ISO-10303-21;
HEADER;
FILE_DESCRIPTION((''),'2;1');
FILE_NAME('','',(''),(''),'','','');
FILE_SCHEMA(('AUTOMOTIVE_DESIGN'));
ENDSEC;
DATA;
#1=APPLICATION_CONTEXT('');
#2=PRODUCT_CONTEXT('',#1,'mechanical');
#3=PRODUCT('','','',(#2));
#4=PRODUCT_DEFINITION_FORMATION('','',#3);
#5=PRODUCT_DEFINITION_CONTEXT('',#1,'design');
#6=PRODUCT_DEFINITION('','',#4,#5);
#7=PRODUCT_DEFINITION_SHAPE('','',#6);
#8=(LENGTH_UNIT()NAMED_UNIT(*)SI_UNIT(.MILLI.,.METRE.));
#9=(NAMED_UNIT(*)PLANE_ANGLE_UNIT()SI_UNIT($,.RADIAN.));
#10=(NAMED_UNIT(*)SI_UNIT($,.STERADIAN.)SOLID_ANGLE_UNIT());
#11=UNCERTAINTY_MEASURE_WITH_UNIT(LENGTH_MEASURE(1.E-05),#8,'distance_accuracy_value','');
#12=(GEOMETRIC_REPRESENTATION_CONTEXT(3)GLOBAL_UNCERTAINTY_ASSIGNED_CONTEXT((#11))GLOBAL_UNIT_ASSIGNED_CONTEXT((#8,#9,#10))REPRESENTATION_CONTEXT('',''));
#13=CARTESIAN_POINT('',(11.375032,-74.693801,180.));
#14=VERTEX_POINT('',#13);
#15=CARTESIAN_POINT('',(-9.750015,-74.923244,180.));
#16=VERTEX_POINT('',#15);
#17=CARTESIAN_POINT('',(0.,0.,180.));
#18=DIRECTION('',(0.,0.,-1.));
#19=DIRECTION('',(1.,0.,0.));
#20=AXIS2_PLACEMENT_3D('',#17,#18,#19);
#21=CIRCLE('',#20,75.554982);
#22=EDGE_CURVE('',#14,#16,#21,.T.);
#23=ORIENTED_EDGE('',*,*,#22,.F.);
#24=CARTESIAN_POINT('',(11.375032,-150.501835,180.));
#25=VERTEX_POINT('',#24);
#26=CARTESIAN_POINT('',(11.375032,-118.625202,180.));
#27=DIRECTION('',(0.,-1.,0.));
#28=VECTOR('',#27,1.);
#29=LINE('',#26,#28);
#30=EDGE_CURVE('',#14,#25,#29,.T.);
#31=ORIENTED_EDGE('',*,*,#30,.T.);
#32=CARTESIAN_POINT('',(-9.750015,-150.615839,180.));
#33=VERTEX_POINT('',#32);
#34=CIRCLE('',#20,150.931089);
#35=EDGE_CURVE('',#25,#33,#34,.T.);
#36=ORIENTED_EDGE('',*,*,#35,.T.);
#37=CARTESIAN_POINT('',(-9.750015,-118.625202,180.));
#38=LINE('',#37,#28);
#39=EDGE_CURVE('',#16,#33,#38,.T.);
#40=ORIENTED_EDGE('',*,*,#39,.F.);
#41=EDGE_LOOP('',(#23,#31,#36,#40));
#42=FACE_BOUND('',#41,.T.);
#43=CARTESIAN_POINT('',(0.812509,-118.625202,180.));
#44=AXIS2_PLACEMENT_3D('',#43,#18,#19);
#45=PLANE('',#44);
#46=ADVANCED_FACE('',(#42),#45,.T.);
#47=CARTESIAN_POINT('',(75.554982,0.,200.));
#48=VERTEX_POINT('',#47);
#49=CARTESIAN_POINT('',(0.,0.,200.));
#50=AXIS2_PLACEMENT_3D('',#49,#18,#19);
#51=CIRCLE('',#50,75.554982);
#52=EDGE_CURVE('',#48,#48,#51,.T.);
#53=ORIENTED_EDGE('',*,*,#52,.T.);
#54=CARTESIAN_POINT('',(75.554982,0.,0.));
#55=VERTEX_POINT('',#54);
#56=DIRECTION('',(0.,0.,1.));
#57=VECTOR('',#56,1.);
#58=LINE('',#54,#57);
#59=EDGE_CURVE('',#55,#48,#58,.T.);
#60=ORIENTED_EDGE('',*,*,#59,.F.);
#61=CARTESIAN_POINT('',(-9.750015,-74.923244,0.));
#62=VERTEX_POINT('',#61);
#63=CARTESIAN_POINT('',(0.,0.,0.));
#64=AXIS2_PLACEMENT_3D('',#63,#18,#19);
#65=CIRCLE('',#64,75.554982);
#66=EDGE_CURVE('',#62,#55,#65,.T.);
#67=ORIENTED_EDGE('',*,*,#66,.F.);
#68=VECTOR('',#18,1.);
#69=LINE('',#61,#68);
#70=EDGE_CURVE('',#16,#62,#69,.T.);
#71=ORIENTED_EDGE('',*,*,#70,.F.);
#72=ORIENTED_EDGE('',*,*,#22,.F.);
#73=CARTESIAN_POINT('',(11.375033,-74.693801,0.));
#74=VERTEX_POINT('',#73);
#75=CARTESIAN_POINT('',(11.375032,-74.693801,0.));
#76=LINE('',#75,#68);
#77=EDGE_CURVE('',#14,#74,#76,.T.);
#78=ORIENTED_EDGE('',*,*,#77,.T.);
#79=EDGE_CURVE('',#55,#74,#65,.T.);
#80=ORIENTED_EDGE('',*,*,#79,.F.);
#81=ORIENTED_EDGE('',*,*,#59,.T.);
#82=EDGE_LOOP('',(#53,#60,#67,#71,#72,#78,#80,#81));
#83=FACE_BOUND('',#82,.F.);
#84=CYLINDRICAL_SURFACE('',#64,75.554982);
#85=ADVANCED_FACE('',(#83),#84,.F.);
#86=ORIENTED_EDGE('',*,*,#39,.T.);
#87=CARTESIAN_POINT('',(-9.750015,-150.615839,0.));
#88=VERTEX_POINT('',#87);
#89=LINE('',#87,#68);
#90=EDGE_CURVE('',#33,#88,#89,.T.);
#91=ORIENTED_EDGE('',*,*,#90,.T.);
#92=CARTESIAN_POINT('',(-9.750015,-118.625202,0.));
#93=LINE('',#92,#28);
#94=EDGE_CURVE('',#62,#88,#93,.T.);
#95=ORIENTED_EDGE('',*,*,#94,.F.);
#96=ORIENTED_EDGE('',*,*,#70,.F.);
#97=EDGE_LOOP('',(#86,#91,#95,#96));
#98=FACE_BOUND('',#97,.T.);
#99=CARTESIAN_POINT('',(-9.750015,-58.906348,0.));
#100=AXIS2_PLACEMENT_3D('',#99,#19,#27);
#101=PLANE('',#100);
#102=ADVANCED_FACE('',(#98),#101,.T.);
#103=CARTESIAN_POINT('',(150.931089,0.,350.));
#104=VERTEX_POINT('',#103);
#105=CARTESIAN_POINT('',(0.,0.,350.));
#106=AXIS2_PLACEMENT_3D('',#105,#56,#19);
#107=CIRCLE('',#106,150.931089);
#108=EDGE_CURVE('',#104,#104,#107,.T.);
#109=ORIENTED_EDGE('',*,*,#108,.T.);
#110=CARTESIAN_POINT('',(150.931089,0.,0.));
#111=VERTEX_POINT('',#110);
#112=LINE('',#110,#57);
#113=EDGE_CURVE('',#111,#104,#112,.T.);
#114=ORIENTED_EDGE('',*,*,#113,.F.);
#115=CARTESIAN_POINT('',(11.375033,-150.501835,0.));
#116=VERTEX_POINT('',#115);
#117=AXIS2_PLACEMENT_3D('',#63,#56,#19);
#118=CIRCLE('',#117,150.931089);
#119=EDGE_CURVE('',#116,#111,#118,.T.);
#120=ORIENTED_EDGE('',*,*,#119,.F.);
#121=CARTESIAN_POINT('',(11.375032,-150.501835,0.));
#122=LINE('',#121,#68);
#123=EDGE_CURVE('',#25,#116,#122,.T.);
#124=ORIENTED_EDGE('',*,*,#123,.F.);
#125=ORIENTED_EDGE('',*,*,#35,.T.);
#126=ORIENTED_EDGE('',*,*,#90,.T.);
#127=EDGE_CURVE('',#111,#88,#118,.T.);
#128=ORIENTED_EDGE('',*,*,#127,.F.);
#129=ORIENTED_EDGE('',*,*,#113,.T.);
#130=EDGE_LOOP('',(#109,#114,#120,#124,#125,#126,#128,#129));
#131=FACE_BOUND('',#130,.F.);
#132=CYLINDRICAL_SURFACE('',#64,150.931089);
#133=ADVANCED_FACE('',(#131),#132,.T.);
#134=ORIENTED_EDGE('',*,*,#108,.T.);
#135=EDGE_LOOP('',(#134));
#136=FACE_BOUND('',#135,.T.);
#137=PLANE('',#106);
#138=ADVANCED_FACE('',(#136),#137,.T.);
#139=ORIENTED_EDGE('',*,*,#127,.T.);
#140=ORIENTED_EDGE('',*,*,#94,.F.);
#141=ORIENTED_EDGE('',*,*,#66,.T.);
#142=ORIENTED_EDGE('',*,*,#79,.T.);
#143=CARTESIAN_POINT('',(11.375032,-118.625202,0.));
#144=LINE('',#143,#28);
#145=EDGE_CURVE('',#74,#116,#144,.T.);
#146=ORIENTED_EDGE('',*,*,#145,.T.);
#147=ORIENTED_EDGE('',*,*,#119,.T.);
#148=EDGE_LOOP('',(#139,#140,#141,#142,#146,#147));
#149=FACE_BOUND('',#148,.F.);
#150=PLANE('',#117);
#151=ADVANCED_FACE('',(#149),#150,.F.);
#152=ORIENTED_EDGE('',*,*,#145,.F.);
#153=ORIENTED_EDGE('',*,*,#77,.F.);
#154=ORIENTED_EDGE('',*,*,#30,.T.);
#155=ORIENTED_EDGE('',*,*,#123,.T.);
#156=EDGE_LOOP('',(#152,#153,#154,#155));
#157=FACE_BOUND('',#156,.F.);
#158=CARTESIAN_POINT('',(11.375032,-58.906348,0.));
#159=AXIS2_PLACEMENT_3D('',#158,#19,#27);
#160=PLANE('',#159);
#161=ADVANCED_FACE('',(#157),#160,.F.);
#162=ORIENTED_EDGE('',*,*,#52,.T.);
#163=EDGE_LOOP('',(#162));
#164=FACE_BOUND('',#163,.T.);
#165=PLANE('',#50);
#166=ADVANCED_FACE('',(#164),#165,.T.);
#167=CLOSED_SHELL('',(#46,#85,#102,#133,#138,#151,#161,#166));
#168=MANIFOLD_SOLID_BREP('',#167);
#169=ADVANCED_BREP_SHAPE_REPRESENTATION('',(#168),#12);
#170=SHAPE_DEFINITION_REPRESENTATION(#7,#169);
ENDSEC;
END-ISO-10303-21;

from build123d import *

# Parameters (mm, degrees)
F0_R     = 150.931089
F1_DEPTH = 350
F2_R     = 75.554982
F3_DEPTH = 200
F4_W     = 21.125047
F4_H     = 119.437709
F5_DEPTH = 180


with BuildPart() as f1:
    # F0 (on Top) → F1 (new body)
    with BuildSketch(Plane.XY):
        Circle(F0_R)
    extrude(amount=F1_DEPTH)

    # F2 (on face) → F3 (cut)
    with BuildSketch(Plane(origin=(0, 0, 0), x_dir=(1, 0, 0), z_dir=(0, 0, -1))):
        Circle(F2_R)
    extrude(amount=-F3_DEPTH, mode=Mode.SUBTRACT)

    # F4 (on face) → F5 (cut)
    with BuildSketch(Plane(origin=(0, 0, 0), x_dir=(1, 0, 0), z_dir=(0, 0, -1))):
        with Locations((0.812509, 118.625202)):
            Rectangle(F4_W, F4_H)
    extrude(amount=-F5_DEPTH, mode=Mode.SUBTRACT)


solid = f1.part
